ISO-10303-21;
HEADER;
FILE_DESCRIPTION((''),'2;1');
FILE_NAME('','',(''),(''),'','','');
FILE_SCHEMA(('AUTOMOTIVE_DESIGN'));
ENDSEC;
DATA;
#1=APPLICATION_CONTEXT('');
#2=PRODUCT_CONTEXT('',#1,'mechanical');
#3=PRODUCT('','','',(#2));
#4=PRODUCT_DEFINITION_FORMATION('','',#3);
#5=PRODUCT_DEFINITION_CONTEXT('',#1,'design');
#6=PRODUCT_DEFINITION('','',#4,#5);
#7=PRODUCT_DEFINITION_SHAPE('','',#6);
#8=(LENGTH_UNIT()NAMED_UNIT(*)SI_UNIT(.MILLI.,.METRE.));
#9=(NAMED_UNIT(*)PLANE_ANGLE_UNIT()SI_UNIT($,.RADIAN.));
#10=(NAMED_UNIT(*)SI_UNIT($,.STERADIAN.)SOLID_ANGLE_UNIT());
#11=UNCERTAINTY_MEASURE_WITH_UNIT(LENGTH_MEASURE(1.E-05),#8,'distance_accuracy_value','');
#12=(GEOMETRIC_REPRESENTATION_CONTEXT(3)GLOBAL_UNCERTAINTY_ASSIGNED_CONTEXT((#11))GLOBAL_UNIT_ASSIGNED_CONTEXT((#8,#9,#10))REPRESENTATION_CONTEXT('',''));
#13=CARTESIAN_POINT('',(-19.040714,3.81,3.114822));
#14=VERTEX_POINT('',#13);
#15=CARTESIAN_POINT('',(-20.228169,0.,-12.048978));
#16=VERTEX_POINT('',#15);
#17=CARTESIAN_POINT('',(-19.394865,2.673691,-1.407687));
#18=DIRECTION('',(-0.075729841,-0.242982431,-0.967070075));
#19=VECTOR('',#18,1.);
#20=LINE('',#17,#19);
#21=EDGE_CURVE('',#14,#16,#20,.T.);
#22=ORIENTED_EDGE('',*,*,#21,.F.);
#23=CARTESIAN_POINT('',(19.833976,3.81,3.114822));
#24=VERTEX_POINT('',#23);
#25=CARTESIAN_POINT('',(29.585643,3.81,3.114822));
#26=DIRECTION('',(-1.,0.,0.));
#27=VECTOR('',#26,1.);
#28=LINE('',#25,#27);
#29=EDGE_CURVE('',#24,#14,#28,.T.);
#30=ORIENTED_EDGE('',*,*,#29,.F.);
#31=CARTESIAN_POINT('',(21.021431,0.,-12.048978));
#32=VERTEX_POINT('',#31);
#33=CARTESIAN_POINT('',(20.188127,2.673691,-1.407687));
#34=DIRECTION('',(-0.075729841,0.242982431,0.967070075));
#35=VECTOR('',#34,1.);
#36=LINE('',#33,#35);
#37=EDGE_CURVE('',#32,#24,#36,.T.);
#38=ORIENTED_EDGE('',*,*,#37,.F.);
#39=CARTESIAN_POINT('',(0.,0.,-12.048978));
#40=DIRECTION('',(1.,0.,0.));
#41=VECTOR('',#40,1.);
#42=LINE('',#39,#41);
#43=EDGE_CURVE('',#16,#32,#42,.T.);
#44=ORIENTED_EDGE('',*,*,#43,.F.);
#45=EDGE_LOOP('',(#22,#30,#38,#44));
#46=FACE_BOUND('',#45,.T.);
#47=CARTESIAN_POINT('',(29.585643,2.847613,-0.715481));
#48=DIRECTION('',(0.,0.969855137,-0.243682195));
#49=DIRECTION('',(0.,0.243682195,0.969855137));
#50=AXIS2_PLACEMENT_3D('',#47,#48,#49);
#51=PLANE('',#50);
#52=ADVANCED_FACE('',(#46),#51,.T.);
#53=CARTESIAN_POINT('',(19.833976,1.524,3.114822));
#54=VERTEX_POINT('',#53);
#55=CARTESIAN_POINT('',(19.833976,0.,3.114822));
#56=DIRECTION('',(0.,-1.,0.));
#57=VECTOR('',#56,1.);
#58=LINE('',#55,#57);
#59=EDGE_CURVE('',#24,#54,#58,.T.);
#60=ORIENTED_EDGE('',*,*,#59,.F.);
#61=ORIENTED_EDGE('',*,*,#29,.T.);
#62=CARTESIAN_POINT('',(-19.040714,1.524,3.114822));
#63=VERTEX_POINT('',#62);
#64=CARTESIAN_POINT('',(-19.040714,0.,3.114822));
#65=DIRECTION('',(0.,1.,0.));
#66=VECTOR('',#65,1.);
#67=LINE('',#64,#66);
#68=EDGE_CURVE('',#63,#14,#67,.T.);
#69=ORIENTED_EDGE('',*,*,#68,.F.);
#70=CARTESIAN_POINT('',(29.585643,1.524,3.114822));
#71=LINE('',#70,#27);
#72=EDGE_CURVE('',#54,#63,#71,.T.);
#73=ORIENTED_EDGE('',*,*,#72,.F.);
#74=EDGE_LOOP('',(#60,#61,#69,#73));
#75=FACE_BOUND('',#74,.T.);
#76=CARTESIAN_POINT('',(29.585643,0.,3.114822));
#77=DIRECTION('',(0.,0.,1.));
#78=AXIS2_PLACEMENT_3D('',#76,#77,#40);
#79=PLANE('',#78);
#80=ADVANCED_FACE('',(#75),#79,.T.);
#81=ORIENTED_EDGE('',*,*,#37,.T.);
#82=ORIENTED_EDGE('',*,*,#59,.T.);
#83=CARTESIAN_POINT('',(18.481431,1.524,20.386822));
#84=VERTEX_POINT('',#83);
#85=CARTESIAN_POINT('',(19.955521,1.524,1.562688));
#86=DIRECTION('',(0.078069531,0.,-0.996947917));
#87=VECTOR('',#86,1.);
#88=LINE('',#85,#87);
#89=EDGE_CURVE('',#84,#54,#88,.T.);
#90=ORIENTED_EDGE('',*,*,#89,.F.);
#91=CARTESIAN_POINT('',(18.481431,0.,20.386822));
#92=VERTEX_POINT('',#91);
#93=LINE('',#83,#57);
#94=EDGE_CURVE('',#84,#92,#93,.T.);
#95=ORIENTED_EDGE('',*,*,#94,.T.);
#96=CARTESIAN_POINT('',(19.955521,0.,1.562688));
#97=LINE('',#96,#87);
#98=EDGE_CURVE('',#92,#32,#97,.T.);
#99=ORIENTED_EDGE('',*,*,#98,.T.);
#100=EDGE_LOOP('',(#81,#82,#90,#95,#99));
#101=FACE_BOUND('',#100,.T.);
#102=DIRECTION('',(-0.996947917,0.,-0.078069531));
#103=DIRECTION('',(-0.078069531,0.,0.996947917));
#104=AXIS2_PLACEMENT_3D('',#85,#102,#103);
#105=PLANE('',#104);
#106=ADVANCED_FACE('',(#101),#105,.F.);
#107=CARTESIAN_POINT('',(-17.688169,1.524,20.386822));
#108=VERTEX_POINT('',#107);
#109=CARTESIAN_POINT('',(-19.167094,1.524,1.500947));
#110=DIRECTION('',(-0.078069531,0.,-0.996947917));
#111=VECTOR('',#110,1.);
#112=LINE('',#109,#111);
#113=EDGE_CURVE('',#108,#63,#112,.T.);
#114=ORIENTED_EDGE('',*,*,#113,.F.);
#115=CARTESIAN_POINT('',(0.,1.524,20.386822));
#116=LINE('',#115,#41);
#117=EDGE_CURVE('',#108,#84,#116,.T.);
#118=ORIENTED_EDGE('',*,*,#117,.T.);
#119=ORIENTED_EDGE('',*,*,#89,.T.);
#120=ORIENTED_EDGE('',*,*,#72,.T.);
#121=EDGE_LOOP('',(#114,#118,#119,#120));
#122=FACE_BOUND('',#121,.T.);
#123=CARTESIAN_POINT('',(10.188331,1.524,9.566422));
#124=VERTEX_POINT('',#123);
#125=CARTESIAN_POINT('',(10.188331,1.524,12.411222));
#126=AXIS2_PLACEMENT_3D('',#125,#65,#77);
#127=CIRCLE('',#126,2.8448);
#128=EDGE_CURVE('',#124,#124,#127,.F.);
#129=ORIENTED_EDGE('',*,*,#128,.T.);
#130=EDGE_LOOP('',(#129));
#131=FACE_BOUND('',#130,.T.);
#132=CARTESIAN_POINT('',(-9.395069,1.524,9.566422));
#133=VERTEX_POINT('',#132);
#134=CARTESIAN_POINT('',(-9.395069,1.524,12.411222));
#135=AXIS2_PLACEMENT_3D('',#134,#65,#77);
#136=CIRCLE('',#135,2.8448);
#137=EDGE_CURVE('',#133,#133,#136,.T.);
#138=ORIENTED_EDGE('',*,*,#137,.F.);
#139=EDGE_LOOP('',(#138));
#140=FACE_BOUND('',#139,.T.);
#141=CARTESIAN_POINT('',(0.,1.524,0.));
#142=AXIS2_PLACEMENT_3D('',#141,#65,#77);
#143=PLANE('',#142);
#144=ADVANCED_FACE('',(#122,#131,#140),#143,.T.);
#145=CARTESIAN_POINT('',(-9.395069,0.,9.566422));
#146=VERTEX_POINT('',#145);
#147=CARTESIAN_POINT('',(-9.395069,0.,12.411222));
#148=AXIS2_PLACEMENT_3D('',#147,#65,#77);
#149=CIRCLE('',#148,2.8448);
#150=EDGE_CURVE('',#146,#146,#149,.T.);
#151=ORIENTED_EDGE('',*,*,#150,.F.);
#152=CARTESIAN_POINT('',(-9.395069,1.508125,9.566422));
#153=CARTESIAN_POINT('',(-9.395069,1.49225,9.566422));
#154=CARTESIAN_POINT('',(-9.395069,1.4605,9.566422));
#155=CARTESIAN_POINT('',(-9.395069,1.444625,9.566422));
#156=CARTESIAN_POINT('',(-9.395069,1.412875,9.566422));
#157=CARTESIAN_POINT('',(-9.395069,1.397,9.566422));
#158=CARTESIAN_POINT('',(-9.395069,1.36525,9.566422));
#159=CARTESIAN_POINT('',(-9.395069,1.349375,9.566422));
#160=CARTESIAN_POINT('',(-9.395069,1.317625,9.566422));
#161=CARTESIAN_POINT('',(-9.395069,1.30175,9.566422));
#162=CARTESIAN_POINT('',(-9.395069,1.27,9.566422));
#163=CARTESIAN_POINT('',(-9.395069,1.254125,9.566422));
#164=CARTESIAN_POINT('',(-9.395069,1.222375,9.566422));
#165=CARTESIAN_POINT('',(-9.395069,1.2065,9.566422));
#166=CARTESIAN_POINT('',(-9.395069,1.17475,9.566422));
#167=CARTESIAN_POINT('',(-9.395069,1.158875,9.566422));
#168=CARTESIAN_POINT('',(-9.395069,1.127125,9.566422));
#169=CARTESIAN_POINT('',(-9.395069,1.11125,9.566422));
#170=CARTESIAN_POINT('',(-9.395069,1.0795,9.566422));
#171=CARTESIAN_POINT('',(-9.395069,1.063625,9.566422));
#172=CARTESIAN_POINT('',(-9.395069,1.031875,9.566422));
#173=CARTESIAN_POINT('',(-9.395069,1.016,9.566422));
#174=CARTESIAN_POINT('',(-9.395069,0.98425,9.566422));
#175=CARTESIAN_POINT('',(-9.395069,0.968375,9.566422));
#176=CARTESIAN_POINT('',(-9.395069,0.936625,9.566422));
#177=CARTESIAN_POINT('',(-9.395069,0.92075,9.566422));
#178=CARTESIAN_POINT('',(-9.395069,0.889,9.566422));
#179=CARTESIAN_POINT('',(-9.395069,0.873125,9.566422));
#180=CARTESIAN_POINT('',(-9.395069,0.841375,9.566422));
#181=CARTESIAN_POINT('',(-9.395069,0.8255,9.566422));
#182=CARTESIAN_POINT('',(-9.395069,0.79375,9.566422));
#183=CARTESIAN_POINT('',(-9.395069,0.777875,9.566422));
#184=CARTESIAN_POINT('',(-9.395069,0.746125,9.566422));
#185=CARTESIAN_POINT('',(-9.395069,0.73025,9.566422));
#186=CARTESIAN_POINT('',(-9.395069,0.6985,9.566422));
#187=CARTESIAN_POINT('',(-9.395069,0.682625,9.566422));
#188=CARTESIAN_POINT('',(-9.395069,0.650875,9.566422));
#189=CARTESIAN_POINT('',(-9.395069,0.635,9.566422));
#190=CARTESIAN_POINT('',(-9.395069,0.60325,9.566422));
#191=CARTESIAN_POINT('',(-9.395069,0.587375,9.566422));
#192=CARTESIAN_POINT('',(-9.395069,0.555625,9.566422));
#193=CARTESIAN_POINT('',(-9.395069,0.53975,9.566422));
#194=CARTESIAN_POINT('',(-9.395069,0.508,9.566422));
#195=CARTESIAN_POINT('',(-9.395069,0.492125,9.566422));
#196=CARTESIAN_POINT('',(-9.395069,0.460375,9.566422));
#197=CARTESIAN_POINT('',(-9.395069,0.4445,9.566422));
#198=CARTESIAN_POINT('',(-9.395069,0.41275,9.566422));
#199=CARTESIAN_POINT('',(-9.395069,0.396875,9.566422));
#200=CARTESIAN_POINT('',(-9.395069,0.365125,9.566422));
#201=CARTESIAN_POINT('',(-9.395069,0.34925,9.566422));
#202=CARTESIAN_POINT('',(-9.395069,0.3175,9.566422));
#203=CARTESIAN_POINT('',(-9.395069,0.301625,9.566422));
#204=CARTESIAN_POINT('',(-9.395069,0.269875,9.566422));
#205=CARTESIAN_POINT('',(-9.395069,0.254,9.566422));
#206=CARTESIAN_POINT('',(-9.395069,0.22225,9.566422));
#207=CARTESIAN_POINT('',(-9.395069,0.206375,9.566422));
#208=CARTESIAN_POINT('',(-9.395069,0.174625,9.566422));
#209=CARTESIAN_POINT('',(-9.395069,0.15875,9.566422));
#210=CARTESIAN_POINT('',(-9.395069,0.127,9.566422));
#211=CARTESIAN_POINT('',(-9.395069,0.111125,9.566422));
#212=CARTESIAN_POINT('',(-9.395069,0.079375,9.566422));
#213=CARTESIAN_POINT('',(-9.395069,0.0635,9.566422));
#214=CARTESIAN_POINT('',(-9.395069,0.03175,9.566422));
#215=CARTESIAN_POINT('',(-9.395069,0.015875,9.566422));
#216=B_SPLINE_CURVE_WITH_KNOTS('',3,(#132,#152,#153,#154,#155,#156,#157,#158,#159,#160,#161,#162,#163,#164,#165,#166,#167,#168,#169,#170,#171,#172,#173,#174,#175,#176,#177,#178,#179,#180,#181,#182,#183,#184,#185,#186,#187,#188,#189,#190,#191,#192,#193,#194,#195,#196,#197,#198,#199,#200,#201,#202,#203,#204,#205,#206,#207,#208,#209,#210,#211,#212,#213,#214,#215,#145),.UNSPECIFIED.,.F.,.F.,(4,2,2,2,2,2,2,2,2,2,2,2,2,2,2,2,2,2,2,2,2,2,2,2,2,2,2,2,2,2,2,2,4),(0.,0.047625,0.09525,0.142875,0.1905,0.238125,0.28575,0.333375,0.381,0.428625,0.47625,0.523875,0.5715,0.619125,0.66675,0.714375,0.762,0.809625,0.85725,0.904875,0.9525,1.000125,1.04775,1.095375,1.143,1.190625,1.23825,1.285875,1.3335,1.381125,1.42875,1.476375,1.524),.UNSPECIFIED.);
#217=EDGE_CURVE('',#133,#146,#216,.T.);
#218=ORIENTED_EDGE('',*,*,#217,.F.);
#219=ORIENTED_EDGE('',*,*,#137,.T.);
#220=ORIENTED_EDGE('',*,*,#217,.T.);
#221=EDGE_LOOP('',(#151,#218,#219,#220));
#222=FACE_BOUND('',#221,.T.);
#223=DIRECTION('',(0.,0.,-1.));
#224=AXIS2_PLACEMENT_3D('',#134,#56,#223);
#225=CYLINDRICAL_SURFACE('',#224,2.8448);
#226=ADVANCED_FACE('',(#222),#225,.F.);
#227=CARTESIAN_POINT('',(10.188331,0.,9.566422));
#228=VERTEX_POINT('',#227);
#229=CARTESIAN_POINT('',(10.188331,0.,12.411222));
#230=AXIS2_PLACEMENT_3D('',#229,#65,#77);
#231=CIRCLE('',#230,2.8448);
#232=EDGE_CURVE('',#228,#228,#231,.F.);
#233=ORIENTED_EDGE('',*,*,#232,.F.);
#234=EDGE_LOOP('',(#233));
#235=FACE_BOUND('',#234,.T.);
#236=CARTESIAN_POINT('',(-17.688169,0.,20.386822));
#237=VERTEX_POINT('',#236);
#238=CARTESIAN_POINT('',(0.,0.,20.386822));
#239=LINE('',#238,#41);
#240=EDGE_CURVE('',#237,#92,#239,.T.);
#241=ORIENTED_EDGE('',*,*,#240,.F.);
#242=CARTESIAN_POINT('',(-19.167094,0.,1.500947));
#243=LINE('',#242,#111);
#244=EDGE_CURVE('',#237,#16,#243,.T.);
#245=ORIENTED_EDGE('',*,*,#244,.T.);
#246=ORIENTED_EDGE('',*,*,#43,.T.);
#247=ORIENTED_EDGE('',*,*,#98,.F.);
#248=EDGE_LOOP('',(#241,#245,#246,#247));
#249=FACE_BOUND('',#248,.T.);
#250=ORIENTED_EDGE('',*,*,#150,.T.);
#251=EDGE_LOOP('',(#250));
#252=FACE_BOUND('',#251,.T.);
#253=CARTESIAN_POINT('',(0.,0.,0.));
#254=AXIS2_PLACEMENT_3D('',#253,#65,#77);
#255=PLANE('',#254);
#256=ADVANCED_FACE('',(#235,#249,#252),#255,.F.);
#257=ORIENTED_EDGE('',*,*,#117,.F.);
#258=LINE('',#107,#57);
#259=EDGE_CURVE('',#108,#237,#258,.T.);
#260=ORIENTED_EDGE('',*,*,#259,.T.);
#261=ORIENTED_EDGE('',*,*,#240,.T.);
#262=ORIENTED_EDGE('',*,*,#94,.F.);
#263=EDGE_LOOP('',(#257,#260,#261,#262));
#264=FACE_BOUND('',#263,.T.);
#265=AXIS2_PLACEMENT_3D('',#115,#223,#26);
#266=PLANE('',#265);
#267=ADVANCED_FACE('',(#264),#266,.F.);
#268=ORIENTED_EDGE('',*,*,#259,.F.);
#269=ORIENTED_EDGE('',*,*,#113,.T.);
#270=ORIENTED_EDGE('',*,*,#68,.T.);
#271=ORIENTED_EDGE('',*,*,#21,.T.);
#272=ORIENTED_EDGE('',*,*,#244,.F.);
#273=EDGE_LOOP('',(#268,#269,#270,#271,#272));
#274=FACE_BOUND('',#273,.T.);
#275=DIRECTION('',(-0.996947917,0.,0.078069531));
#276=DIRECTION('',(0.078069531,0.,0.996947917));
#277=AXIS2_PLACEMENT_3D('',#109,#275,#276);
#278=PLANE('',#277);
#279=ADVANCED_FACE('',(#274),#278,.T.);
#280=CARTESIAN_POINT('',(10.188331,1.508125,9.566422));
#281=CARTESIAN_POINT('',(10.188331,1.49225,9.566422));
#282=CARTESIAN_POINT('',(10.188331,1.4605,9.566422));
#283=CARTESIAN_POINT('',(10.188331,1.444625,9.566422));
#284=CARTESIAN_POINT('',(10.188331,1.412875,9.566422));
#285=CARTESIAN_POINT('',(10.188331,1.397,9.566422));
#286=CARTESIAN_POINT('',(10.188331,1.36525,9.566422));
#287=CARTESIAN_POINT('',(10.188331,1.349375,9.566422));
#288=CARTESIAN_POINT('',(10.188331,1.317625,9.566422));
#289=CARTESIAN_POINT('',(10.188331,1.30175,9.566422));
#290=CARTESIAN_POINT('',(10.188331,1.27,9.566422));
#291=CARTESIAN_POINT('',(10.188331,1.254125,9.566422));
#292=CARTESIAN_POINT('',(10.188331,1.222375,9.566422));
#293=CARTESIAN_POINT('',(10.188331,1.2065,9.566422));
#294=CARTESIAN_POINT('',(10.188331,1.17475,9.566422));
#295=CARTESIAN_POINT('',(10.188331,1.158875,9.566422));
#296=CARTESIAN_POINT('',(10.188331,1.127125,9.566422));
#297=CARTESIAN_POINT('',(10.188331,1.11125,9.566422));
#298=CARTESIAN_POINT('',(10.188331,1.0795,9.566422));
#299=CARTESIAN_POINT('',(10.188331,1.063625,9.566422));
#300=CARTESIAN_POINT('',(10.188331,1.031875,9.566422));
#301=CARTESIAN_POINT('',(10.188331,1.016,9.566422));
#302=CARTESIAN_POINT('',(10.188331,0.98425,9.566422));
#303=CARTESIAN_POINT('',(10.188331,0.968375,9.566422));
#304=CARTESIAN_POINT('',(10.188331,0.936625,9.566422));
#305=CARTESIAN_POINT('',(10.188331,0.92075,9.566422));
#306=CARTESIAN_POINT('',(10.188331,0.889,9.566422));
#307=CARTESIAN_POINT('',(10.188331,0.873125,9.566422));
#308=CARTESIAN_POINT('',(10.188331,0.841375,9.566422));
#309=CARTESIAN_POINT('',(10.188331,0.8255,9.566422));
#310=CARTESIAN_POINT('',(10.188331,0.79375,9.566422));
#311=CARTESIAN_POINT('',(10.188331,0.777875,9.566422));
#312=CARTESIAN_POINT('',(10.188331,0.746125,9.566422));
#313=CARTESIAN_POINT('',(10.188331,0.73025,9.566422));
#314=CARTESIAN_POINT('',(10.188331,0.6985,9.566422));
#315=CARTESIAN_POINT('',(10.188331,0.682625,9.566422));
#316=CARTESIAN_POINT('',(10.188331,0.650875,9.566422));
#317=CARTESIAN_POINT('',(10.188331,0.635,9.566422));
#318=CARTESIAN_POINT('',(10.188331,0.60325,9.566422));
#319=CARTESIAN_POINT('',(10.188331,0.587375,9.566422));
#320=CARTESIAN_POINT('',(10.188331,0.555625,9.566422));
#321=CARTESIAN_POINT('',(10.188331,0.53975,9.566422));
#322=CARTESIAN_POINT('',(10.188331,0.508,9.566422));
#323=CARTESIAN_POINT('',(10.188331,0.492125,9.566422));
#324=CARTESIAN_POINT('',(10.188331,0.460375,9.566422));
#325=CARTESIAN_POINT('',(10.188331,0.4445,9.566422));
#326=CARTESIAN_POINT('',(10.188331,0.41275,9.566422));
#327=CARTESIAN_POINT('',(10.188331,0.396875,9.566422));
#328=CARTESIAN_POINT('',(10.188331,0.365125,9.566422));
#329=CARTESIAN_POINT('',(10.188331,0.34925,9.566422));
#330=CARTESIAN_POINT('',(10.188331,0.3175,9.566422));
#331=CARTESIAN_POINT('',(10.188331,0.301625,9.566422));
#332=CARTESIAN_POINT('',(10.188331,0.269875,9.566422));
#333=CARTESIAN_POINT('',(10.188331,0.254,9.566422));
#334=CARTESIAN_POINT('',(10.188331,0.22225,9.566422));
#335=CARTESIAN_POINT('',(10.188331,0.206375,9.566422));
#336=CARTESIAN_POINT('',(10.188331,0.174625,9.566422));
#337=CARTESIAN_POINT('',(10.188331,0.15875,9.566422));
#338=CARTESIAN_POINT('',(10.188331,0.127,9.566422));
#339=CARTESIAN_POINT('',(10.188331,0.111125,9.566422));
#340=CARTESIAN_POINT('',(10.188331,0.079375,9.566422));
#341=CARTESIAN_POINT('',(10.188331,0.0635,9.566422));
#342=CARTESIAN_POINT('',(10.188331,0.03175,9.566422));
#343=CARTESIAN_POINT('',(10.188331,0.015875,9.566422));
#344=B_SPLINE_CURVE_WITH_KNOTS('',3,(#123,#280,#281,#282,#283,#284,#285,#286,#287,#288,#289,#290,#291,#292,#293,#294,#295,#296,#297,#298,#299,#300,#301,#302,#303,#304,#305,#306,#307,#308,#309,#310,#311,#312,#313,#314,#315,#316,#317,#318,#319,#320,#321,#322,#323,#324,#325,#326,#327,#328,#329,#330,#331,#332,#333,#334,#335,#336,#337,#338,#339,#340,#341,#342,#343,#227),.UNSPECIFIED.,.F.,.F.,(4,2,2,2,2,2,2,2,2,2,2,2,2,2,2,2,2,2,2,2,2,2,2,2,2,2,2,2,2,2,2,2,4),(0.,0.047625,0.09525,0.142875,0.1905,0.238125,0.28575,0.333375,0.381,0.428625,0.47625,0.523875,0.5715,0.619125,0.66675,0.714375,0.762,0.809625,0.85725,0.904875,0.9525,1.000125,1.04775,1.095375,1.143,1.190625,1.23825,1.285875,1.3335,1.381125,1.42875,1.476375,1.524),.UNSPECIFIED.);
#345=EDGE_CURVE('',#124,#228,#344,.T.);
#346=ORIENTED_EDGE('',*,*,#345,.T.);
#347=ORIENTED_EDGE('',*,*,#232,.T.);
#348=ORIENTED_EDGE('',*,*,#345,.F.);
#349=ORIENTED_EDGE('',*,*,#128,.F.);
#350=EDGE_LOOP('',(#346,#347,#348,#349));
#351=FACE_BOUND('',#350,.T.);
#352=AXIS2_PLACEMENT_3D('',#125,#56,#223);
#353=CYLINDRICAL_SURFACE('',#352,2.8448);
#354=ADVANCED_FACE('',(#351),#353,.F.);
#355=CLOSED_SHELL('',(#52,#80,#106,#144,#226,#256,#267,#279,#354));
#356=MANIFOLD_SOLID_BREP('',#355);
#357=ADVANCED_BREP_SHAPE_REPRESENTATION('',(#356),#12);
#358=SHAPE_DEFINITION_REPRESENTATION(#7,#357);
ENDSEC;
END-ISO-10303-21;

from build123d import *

# Parameters (mm, degrees)
SKETCH1_R                       = 2.8448
BOSS_EXTRUDE1_DEPTH             = 1.524
BOSS_EXTRUDE2_REACH             = 31.04
BOSS_EXTRUDE2_DIRECTION_2_REACH = 31.04
CUT_EXTRUDE1_REACH              = 31.249
CUT_EXTRUDE1_DIRECTION_2_REACH  = 31.249


with BuildPart() as part:
    # Sketch1 → Boss-Extrude1 (new body)
    with BuildSketch(Plane(origin=(0, 0, 0), x_dir=(1, 0, 0), z_dir=(0, 1, 0))):
        Polygon((-20.228169231, 12.048978462), (21.021430769, 12.048978462), (18.481430769, -20.386821538), (-17.688169231, -20.386821538), align=None)
        with Locations(Location((-9.395069231, -12.411221538, 0), (0, 0, 90))):
            Circle(SKETCH1_R, mode=Mode.SUBTRACT)
        with Locations(Location((10.188330769, -12.411221538, 0), (0, 0, 90))):
            Circle(SKETCH1_R, mode=Mode.SUBTRACT)
    extrude(amount=BOSS_EXTRUDE1_DEPTH)

    # Boss-Extrude2: up to this plane
    boss_extrude2_end = Plane(origin=(19.95552113, 1.524, 1.562687637), z_dir=(-0.9969479165233839, 0, -0.07806953144270824))
    # Sketch4 → Boss-Extrude2 (add, up to the surface)
    with BuildSketch(Plane(origin=(0.396630769, 0, 0), x_dir=(0, 0, -1), z_dir=(1, 0, 0)), mode=Mode.PRIVATE) as boss_extrude2_sk1:
        Polygon((-3.114821538, 3.81), (-3.114821538, 1.524), (5.983458462, 1.524), align=None)
    boss_extrude2_tool1 = split(extrude(boss_extrude2_sk1.sketch, amount=BOSS_EXTRUDE2_REACH, mode=Mode.PRIVATE), bisect_by=boss_extrude2_end, keep=Keep.BOTH, mode=Mode.PRIVATE)
    add(boss_extrude2_tool1.solids().sort_by_distance((0.396631, 2.286, 0.082062))[0])

    # Boss-Extrude2 direction 2: up to this plane
    boss_extrude2_direction_2_end = Plane(origin=(-19.167094403, 1.524, 1.500947095), z_dir=(-0.9969479165233839, 0, 0.07806953144270846))
    # Sketch4 → Boss-Extrude2 direction 2 (add, up to the surface)
    with BuildSketch(Plane(origin=(0.396630769, 0, 0), x_dir=(0, 0, -1), z_dir=(1, 0, 0)), mode=Mode.PRIVATE) as boss_extrude2_direction_2_sk1:
        Polygon((-3.114821538, 3.81), (-3.114821538, 1.524), (5.983458462, 1.524), align=None)
    boss_extrude2_direction_2_tool1 = split(extrude(boss_extrude2_direction_2_sk1.sketch, amount=-BOSS_EXTRUDE2_DIRECTION_2_REACH, mode=Mode.PRIVATE), bisect_by=boss_extrude2_direction_2_end, keep=Keep.BOTH, mode=Mode.PRIVATE)
    add(boss_extrude2_direction_2_tool1.solids().sort_by_distance((0.396631, 2.286, 0.082062))[0])

    # Cut-Extrude1: up to this face of the body (flat: up to its plane)
    cut_extrude1_end = Plane(part.part.faces().sort_by_distance((-19.01379481, 1.026887005, 3.458582885))[0])
    # Sketch4<3> → Cut-Extrude1 (cut, up to the picked face)
    with BuildSketch(Plane(origin=(0.396630769, 0, 0), x_dir=(0, 0, -1), z_dir=(1, 0, 0)), mode=Mode.PRIVATE) as cut_extrude1_sk1:
        Polygon((12.048978462, 1.524), (5.983458462, 1.524), (12.048978462, 0), align=None)
    cut_extrude1_tool1 = split(extrude(cut_extrude1_sk1.sketch, amount=-CUT_EXTRUDE1_REACH, mode=Mode.PRIVATE), bisect_by=cut_extrude1_end, keep=Keep.BOTH, mode=Mode.PRIVATE)
    add(cut_extrude1_tool1.solids().sort_by(Axis((0.396631, 1.016, -10.027138), (-1, 0, 0)))[0], mode=Mode.SUBTRACT)

    # Cut-Extrude1 direction 2: up to this face of the body (flat: up to its plane)
    cut_extrude1_direction_2_end = Plane(part.part.faces().sort_by_distance((19.807056349, 1.026887005, 3.458582885))[0])
    # Sketch4<3> → Cut-Extrude1 direction 2 (cut, up to the picked face)
    with BuildSketch(Plane(origin=(0.396630769, 0, 0), x_dir=(0, 0, -1), z_dir=(1, 0, 0)), mode=Mode.PRIVATE) as cut_extrude1_direction_2_sk1:
        Polygon((12.048978462, 1.524), (5.983458462, 1.524), (12.048978462, 0), align=None)
    cut_extrude1_direction_2_tool1 = split(extrude(cut_extrude1_direction_2_sk1.sketch, amount=CUT_EXTRUDE1_DIRECTION_2_REACH, mode=Mode.PRIVATE), bisect_by=cut_extrude1_direction_2_end, keep=Keep.BOTH, mode=Mode.PRIVATE)
    add(cut_extrude1_direction_2_tool1.solids().sort_by(Axis((0.396631, 1.016, -10.027138), (1, 0, 0)))[0], mode=Mode.SUBTRACT)


solid = part.part
